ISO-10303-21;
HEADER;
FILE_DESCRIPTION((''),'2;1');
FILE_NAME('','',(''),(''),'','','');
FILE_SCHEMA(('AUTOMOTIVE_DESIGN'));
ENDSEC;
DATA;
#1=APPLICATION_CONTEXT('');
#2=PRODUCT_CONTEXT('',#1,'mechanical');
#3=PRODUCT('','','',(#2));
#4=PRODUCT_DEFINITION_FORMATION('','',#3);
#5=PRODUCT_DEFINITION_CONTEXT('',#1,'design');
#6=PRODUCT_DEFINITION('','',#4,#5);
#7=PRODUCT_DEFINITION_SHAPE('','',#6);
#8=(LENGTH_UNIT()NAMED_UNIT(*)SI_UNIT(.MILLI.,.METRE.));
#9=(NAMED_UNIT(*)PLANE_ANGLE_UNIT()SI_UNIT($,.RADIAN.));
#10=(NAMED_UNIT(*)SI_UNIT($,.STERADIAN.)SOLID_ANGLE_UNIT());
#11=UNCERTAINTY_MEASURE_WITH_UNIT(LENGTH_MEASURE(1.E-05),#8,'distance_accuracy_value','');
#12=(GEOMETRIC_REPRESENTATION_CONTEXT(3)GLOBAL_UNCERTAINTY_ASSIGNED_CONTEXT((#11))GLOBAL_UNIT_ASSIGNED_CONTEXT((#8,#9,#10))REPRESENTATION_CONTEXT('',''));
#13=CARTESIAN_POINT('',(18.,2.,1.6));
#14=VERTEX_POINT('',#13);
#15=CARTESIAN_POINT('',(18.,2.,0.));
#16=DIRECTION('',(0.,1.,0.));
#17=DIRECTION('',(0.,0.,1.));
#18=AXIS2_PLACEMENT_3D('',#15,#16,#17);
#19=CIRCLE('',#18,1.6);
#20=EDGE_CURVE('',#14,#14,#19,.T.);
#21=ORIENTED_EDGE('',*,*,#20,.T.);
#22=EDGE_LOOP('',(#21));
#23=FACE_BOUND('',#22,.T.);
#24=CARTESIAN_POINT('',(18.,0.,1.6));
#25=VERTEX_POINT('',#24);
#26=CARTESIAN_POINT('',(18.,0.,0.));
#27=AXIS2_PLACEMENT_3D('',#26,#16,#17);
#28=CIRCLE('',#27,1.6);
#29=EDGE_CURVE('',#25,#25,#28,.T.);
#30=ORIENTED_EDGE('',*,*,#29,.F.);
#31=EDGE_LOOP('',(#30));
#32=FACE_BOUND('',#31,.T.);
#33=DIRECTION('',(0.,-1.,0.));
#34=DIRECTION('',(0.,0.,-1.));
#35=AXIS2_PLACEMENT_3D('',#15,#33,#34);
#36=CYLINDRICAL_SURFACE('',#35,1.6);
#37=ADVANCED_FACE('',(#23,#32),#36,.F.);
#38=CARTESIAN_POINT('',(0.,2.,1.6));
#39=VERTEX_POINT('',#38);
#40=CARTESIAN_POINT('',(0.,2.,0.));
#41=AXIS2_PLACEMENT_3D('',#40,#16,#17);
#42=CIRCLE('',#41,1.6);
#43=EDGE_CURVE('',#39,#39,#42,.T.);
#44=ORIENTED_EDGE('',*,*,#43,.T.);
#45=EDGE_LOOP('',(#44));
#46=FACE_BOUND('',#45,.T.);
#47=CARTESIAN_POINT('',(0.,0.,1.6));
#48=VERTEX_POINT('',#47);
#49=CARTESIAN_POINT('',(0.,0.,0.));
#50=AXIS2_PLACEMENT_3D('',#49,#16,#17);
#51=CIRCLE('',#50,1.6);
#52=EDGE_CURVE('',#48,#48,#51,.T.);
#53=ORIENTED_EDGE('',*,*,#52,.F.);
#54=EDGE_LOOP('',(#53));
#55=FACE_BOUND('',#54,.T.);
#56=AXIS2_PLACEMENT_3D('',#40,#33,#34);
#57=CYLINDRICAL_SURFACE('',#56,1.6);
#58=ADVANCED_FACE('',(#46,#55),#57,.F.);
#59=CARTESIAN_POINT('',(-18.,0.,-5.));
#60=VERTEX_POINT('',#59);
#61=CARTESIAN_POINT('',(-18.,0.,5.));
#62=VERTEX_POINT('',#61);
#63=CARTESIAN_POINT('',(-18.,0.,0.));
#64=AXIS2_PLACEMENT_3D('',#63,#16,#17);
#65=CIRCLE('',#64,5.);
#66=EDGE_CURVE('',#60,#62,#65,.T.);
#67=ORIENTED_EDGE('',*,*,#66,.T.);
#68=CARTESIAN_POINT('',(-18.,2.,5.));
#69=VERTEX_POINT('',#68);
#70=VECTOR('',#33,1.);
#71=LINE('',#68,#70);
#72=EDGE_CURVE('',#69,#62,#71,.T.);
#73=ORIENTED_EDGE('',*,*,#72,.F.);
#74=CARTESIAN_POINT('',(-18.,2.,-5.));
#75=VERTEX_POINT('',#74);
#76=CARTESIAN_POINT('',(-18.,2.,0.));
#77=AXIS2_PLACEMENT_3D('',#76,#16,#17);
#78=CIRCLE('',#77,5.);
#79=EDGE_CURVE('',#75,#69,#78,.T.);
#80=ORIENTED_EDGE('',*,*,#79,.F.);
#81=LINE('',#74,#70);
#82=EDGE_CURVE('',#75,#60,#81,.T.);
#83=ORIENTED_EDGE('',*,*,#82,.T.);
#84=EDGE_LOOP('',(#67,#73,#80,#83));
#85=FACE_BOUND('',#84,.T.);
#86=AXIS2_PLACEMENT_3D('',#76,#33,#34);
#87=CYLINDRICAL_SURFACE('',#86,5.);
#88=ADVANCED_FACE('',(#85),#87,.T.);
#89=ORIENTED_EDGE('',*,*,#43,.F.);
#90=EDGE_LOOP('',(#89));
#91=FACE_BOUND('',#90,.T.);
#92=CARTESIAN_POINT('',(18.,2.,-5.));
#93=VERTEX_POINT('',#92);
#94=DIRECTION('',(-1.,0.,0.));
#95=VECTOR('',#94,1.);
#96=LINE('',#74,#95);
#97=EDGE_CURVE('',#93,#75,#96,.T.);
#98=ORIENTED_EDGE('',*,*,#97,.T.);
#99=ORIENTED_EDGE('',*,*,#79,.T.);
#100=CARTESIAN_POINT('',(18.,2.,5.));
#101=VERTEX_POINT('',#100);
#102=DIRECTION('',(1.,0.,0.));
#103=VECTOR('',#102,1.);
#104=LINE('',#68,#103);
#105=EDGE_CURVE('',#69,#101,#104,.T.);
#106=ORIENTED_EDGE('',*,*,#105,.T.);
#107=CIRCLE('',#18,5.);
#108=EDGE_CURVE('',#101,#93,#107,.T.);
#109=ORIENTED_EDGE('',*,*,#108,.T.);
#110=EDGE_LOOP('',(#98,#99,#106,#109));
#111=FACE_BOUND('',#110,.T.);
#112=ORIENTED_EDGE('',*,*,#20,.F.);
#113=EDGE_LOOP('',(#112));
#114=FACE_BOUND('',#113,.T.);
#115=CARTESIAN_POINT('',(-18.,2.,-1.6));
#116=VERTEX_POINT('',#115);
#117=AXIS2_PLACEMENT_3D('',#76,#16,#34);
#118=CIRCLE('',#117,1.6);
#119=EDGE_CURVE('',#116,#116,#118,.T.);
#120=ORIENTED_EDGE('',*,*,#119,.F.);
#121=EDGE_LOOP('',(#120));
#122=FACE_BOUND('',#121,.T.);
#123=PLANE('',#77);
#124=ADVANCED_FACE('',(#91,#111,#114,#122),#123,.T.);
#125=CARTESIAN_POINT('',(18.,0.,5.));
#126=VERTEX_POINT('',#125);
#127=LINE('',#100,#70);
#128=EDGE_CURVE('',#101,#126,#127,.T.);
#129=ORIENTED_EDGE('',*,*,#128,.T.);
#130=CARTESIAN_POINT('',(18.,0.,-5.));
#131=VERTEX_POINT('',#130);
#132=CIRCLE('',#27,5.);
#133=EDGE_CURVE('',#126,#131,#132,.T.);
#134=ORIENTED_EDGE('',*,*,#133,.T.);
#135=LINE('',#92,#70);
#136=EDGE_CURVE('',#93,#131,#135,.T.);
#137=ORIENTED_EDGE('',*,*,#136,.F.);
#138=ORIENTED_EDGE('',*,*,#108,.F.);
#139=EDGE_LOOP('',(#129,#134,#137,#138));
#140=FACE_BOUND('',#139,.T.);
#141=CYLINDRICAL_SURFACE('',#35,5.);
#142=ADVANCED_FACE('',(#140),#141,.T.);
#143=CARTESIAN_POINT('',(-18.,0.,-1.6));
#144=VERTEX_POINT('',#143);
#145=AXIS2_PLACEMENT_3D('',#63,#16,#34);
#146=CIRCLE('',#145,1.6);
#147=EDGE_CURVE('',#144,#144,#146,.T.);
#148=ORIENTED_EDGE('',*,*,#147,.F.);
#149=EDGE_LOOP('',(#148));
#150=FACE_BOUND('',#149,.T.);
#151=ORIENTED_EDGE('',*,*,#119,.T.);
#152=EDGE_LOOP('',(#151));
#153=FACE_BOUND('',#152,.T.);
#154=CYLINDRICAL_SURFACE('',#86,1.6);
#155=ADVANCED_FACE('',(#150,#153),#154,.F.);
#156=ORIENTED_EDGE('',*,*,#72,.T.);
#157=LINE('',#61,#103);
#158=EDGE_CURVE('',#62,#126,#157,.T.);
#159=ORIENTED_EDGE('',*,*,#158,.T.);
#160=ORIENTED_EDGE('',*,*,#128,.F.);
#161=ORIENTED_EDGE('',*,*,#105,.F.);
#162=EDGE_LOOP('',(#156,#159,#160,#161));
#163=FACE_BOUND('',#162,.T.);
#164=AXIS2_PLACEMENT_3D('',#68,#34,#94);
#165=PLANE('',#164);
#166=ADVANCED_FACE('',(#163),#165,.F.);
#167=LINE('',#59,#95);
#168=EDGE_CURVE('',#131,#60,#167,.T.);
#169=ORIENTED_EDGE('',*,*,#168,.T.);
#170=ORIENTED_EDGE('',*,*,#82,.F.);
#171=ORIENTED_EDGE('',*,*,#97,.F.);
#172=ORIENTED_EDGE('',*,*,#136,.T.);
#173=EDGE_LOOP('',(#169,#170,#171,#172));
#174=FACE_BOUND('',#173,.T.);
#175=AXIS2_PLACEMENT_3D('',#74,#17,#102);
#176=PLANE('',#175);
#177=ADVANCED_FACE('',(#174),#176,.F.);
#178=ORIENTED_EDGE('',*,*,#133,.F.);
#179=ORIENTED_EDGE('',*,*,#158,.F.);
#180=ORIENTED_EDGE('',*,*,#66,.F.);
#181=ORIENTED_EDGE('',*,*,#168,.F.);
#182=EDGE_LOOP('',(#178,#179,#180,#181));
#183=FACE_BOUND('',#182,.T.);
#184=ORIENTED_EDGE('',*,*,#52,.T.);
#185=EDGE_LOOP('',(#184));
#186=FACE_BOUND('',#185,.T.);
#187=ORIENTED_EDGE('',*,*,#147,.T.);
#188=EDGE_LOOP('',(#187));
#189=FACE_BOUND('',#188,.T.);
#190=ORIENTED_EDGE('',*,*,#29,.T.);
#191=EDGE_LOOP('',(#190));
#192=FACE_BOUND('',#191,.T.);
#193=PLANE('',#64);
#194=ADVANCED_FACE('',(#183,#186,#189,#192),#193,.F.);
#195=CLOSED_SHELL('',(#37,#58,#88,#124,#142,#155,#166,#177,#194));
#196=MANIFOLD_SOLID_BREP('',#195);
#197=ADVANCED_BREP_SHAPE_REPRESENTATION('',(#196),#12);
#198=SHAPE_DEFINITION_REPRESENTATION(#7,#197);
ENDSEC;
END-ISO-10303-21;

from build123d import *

# Parameters (mm, degrees)
SKETCH1_R           = 1.6
BOSS_EXTRUDE1_DEPTH = 2


with BuildPart() as part:
    # Sketch1 → Boss-Extrude1 (new body)
    with BuildSketch(Plane(origin=(0, 0, 0), x_dir=(1, 0, 0), z_dir=(0, 1, 0))):
        with BuildLine():
            Line((-18, 5), (18, 5))
            ThreePointArc((18, 5), (23, 0), (18, -5))
            Line((18, -5), (-18, -5))
            ThreePointArc((-18, -5), (-23, 0), (-18, 5))
        make_face()
        with Locations(Location((18, 0, 0), (0, 0, 270))):
            Circle(SKETCH1_R, mode=Mode.SUBTRACT)
        with Locations(Location((-18, 0, 0), (0, 0, 90))):
            Circle(SKETCH1_R, mode=Mode.SUBTRACT)
        with Locations(Location((0, 0, 0), (0, 0, 270))):
            Circle(SKETCH1_R, mode=Mode.SUBTRACT)
    extrude(amount=BOSS_EXTRUDE1_DEPTH)


solid = part.part
